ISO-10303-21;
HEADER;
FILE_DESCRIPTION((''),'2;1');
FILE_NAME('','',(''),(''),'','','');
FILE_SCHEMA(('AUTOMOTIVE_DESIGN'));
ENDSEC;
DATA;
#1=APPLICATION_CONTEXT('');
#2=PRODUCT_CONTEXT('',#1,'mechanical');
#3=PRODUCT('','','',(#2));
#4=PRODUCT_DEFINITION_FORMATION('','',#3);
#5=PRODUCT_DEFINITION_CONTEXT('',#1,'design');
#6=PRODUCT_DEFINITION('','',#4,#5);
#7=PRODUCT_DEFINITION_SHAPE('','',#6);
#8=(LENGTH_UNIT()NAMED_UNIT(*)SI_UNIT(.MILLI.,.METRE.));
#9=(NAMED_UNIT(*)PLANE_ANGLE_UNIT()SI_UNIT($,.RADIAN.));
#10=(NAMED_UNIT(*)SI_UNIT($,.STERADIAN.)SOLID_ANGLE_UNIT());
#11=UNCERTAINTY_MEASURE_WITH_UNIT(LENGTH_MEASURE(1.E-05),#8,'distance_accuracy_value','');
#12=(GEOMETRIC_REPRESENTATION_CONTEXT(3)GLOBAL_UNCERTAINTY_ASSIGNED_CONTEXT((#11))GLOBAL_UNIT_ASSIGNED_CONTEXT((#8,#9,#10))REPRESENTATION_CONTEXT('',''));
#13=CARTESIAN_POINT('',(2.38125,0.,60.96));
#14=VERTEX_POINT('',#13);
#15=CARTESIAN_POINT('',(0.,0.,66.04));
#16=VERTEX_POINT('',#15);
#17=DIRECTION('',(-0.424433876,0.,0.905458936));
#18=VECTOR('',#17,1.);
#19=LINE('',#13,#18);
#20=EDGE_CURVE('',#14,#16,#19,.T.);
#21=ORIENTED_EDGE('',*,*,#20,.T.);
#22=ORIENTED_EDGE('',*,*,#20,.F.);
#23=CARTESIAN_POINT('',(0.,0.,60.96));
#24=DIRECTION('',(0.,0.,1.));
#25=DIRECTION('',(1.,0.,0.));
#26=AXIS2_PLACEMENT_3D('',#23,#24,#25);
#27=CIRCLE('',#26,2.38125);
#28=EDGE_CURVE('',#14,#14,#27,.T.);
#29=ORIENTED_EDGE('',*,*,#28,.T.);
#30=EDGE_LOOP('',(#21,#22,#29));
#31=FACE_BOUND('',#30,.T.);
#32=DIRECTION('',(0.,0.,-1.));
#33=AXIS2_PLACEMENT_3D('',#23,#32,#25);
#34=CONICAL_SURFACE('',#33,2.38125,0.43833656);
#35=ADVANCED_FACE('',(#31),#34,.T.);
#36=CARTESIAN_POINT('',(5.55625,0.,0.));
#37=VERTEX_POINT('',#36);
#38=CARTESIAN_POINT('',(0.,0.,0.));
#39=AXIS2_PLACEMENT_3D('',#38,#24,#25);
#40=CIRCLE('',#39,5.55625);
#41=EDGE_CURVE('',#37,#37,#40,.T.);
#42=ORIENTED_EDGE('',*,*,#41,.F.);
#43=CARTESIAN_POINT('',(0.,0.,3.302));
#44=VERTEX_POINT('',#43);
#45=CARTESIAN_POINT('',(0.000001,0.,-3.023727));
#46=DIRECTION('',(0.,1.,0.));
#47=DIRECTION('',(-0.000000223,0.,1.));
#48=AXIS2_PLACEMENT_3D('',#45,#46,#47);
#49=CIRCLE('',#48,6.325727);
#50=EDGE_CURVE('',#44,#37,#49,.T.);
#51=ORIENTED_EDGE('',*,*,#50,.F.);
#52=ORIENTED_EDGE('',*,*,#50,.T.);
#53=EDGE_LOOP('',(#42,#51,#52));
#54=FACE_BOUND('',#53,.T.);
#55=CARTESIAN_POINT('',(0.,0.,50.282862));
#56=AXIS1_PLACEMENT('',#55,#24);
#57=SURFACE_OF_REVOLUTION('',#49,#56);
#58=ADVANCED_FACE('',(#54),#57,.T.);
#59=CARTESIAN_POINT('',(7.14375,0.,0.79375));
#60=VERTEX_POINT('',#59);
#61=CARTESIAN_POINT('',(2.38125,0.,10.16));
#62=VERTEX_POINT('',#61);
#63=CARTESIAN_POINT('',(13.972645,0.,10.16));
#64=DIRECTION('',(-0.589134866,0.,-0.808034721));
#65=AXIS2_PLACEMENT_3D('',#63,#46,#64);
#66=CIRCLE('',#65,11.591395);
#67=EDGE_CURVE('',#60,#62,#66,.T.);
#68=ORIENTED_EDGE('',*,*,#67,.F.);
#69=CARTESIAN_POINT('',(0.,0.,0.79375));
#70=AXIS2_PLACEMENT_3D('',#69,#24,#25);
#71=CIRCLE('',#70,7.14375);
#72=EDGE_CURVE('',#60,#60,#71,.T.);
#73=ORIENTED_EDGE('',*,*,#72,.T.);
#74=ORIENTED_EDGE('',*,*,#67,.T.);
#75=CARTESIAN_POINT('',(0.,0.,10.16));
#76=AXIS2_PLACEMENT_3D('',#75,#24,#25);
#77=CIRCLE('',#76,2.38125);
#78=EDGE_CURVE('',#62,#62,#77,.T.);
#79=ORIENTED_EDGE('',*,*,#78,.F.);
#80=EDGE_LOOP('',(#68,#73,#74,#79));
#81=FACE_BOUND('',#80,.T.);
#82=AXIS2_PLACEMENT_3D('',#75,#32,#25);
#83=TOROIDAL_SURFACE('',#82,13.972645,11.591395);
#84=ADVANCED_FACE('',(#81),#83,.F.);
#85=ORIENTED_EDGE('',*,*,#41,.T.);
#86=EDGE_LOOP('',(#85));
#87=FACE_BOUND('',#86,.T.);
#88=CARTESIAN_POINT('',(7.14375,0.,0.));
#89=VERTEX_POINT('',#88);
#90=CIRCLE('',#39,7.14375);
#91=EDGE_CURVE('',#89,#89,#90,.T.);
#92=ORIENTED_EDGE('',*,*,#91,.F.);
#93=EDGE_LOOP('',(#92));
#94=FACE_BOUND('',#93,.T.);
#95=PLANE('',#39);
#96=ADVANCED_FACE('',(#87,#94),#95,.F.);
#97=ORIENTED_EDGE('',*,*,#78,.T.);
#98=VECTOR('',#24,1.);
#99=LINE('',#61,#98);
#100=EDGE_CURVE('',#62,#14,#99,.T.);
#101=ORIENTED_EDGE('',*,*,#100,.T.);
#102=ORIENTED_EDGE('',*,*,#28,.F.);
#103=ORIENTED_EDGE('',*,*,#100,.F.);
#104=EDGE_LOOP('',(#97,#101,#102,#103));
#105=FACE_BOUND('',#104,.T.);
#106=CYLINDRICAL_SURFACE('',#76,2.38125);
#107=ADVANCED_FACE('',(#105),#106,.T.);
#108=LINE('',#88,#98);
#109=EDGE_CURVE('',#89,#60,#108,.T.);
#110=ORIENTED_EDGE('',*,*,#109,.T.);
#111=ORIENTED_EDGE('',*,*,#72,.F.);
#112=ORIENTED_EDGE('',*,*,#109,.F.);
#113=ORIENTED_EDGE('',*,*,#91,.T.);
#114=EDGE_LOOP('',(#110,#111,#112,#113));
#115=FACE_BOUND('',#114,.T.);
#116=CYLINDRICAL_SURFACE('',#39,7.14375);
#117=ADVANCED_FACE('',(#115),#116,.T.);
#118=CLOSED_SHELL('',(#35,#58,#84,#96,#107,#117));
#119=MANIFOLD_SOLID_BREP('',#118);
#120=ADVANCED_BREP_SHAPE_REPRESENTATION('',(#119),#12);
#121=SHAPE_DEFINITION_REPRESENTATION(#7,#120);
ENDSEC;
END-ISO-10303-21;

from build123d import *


with BuildPart() as f1:
    # F0 (on Front) → F1 (revolve)
    with BuildSketch(Plane.XZ):
        with BuildLine():
            ThreePointArc((0, 3.302), (3.231684, 2.4142), (5.55625, 0))
            Line((5.55625, 0), (7.14375, 0))
            Line((7.14375, 0), (7.14375, 0.79375))
            ThreePointArc((7.14375, 0.79375), (3.640248, 4.906238), (2.38125, 10.16))
            Line((2.38125, 10.16), (2.38125, 60.96))
            Line((2.38125, 60.96), (0, 66.04))
            Line((0, 66.04), (0, 3.302))
        make_face()
    revolve(axis=Axis((0, 0, 50.282862), (0, 0, 1)))


solid = f1.part
